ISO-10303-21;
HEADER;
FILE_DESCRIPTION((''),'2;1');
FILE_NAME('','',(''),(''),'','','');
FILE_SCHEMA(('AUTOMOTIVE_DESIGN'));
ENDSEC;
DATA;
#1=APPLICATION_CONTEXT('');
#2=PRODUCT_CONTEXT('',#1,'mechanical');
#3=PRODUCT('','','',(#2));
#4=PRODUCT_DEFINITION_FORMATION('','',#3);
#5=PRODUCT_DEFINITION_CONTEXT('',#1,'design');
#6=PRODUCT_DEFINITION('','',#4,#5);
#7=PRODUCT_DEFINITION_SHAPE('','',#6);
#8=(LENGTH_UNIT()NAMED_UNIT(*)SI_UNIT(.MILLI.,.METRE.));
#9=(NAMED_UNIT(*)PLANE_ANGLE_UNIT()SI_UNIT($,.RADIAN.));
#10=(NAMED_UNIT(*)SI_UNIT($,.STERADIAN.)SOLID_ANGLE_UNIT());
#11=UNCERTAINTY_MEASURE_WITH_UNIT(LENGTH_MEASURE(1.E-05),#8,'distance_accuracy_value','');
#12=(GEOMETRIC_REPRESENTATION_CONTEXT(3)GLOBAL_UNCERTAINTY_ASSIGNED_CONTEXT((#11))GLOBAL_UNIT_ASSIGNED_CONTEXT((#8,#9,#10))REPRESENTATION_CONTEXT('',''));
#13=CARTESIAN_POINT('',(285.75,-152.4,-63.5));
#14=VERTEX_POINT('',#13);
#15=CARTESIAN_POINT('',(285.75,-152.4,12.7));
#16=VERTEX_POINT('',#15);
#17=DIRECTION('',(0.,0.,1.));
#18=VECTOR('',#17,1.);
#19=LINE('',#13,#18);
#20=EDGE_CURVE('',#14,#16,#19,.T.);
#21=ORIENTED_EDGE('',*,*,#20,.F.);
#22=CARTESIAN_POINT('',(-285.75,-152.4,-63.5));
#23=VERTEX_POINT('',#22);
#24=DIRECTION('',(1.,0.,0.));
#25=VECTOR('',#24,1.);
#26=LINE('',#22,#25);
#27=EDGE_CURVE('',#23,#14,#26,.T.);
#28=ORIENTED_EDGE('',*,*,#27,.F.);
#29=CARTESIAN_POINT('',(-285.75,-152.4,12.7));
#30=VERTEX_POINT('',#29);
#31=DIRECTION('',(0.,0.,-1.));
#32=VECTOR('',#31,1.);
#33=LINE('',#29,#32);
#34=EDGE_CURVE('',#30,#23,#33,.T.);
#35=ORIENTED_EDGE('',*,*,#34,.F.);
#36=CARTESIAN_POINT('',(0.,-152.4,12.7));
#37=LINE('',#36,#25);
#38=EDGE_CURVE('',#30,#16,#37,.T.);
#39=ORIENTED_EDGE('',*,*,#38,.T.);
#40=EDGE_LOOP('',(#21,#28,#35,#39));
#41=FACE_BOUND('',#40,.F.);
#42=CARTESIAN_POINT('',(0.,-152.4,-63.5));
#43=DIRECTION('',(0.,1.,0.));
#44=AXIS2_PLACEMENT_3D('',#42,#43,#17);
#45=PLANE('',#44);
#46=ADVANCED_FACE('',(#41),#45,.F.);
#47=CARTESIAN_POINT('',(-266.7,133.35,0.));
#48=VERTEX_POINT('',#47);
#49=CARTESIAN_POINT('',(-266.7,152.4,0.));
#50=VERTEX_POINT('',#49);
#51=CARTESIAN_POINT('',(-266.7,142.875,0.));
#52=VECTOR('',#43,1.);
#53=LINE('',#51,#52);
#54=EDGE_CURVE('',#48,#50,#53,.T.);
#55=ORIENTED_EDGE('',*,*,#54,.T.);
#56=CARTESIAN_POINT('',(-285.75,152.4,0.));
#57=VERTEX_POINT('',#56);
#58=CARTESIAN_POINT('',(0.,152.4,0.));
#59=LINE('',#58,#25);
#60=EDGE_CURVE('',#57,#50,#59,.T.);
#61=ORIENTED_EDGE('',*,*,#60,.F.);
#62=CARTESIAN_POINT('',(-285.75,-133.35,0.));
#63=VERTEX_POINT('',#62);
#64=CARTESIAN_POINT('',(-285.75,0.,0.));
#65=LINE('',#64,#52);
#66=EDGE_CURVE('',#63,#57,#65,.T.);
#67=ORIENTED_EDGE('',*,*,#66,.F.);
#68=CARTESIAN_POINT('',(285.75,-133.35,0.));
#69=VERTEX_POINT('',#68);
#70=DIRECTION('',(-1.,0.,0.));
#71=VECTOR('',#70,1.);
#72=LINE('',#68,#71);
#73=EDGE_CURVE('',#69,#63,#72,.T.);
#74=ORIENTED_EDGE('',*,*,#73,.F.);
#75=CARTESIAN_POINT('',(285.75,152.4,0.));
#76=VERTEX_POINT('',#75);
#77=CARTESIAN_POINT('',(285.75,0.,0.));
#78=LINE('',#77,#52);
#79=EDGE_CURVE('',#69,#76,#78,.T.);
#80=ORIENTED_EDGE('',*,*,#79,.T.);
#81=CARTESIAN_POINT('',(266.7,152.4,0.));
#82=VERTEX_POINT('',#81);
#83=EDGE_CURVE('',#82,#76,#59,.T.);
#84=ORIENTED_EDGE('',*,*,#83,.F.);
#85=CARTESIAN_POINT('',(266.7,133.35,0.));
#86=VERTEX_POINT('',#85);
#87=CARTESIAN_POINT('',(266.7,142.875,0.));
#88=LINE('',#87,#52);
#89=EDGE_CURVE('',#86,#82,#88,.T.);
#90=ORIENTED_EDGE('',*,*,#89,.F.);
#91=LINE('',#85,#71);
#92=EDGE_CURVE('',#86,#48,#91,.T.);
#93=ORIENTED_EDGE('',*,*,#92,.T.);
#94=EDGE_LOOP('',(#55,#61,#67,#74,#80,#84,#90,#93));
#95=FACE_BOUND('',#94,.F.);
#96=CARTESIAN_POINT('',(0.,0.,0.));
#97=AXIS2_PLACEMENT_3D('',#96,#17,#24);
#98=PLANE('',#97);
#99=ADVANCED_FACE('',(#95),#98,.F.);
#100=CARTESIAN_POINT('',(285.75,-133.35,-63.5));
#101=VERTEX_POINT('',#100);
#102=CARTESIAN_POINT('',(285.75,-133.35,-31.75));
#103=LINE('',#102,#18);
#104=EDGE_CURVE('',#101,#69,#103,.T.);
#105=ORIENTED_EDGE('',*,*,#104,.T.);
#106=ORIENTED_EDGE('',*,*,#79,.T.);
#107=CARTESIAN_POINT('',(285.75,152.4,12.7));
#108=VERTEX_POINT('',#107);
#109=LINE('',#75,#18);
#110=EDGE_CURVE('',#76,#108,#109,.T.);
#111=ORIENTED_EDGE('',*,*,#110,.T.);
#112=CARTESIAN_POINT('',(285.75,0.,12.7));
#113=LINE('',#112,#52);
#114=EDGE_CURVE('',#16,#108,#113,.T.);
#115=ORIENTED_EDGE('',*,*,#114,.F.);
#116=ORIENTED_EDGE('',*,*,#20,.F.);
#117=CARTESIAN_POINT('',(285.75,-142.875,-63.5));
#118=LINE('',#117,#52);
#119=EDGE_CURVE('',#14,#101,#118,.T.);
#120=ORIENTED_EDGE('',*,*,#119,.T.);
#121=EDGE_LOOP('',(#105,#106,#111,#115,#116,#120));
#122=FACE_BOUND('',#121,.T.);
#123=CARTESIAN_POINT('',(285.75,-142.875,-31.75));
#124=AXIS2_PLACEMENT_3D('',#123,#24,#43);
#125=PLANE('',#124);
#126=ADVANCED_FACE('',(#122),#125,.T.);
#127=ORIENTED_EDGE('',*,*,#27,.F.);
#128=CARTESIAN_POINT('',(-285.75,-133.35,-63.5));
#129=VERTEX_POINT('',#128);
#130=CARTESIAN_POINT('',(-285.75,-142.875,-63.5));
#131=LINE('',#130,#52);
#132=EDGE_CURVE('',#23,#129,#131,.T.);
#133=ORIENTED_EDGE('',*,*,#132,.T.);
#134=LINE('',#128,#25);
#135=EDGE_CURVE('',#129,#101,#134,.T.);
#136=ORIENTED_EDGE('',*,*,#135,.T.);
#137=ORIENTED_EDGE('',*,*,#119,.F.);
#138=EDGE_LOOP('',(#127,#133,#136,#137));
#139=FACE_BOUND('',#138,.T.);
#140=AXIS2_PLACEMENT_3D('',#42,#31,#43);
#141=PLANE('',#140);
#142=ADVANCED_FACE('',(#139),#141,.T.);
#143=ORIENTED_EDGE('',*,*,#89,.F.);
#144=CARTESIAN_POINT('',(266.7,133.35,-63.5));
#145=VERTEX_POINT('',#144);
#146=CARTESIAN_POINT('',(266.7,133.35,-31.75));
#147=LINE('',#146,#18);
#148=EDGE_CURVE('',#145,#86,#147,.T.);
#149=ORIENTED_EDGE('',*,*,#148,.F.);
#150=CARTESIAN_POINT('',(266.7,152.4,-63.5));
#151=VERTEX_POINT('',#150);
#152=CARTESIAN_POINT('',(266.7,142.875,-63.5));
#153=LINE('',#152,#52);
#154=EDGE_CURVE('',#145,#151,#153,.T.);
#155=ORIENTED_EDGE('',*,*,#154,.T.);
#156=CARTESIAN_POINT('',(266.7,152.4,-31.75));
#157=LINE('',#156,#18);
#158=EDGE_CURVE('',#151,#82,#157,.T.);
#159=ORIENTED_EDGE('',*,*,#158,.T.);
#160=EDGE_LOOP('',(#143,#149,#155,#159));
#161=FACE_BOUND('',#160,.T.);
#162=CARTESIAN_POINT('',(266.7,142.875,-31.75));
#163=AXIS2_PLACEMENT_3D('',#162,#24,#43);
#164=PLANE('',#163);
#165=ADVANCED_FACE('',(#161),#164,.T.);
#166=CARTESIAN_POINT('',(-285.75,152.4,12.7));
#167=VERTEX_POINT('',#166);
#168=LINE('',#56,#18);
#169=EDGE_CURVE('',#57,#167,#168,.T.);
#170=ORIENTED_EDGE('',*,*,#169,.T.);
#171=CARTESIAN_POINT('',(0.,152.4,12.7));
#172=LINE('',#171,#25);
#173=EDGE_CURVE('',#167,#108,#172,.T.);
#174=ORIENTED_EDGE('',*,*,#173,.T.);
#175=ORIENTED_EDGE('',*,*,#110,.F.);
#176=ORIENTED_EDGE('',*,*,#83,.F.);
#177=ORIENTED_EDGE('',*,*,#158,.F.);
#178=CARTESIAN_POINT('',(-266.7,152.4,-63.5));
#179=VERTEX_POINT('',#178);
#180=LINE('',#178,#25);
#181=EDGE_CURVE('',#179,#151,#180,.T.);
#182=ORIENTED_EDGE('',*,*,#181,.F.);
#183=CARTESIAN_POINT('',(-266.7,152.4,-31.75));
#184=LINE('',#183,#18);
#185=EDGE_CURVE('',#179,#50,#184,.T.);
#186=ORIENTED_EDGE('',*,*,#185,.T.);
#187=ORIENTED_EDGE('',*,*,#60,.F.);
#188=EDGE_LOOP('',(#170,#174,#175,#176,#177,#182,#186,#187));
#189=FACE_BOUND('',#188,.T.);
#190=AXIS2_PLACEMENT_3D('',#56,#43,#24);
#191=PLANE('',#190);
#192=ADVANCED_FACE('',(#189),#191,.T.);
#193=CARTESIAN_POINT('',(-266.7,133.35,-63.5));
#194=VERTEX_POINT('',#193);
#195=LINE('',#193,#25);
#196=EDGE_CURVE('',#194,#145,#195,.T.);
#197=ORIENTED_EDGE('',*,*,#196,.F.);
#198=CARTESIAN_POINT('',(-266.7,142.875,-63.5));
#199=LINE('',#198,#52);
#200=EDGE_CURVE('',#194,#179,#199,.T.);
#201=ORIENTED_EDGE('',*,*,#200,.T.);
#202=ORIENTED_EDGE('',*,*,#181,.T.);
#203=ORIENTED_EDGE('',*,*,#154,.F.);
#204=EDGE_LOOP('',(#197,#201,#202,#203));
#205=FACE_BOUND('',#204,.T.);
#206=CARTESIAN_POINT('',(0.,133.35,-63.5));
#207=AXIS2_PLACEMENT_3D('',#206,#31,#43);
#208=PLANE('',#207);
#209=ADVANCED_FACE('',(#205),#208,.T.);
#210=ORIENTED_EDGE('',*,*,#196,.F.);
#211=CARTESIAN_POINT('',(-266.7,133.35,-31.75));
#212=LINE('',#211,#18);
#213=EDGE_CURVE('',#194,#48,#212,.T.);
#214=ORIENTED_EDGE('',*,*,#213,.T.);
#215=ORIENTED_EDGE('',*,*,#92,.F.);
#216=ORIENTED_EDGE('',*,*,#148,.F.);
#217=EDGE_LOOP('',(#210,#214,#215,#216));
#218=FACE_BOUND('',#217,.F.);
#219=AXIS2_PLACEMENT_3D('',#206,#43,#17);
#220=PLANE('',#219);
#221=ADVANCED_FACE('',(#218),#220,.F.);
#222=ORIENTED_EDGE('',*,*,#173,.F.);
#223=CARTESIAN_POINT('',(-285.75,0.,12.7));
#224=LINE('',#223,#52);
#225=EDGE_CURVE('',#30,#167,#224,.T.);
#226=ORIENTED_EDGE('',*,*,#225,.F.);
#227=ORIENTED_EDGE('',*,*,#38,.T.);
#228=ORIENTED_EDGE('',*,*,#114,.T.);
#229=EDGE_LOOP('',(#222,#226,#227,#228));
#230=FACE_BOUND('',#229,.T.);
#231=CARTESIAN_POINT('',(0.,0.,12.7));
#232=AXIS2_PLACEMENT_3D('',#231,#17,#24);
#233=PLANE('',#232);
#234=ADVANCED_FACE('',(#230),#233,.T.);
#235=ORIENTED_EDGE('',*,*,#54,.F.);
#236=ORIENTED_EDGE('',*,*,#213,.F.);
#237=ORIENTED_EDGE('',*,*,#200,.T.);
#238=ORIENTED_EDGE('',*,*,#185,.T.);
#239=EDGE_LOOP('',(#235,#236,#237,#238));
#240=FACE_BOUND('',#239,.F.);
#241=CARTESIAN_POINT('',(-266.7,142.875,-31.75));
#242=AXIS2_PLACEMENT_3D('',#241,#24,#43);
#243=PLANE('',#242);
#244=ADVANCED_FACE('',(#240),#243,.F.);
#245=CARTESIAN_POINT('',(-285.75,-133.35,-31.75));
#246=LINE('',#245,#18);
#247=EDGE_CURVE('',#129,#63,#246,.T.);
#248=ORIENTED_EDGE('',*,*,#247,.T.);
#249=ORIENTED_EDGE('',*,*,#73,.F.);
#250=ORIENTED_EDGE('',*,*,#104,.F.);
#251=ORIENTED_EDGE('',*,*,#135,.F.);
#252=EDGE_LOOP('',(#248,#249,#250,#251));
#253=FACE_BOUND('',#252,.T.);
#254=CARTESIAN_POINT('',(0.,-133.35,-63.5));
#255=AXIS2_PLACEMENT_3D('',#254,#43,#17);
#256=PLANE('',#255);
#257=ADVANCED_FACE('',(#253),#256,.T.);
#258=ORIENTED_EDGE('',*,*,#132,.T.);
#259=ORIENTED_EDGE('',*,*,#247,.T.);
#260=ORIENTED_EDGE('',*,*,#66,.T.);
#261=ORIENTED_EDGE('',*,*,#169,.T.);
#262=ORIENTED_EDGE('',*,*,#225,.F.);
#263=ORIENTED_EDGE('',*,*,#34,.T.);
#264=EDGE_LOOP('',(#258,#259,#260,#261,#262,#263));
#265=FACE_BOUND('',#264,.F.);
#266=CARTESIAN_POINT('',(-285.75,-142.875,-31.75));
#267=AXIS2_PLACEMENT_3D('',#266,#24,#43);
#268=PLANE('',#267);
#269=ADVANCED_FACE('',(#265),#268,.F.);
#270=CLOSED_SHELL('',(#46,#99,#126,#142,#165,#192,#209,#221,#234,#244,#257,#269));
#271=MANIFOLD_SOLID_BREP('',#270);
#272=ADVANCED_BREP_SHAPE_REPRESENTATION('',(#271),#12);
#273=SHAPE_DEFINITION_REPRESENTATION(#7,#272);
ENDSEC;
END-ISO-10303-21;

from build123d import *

# Parameters (mm, degrees)
F0_W     = 571.5
F0_H     = 304.8
F1_DEPTH = 12.7
F2_W     = 19.05
F2_H     = 63.5
F3_DEPTH = 285.75
F4_W     = 19.05
F4_H     = 63.5
F5_DEPTH = 266.7


with BuildPart() as f1:
    # F0 (on Top) → F1 (new body)
    with BuildSketch(Plane.XY):
        Rectangle(F0_W, F0_H)
    extrude(amount=F1_DEPTH)

    # F2 (on Right) → F3 (join, symmetric)
    with BuildSketch(Plane.YZ):
        with Locations((-142.875, -31.75)):
            Rectangle(F2_W, F2_H)
    extrude(amount=F3_DEPTH, both=True)

    # F4 (on Right) → F5 (join, symmetric)
    with BuildSketch(Plane.YZ):
        with Locations((142.875, -31.75)):
            Rectangle(F4_W, F4_H)
    extrude(amount=F5_DEPTH, both=True)


solid = f1.part
